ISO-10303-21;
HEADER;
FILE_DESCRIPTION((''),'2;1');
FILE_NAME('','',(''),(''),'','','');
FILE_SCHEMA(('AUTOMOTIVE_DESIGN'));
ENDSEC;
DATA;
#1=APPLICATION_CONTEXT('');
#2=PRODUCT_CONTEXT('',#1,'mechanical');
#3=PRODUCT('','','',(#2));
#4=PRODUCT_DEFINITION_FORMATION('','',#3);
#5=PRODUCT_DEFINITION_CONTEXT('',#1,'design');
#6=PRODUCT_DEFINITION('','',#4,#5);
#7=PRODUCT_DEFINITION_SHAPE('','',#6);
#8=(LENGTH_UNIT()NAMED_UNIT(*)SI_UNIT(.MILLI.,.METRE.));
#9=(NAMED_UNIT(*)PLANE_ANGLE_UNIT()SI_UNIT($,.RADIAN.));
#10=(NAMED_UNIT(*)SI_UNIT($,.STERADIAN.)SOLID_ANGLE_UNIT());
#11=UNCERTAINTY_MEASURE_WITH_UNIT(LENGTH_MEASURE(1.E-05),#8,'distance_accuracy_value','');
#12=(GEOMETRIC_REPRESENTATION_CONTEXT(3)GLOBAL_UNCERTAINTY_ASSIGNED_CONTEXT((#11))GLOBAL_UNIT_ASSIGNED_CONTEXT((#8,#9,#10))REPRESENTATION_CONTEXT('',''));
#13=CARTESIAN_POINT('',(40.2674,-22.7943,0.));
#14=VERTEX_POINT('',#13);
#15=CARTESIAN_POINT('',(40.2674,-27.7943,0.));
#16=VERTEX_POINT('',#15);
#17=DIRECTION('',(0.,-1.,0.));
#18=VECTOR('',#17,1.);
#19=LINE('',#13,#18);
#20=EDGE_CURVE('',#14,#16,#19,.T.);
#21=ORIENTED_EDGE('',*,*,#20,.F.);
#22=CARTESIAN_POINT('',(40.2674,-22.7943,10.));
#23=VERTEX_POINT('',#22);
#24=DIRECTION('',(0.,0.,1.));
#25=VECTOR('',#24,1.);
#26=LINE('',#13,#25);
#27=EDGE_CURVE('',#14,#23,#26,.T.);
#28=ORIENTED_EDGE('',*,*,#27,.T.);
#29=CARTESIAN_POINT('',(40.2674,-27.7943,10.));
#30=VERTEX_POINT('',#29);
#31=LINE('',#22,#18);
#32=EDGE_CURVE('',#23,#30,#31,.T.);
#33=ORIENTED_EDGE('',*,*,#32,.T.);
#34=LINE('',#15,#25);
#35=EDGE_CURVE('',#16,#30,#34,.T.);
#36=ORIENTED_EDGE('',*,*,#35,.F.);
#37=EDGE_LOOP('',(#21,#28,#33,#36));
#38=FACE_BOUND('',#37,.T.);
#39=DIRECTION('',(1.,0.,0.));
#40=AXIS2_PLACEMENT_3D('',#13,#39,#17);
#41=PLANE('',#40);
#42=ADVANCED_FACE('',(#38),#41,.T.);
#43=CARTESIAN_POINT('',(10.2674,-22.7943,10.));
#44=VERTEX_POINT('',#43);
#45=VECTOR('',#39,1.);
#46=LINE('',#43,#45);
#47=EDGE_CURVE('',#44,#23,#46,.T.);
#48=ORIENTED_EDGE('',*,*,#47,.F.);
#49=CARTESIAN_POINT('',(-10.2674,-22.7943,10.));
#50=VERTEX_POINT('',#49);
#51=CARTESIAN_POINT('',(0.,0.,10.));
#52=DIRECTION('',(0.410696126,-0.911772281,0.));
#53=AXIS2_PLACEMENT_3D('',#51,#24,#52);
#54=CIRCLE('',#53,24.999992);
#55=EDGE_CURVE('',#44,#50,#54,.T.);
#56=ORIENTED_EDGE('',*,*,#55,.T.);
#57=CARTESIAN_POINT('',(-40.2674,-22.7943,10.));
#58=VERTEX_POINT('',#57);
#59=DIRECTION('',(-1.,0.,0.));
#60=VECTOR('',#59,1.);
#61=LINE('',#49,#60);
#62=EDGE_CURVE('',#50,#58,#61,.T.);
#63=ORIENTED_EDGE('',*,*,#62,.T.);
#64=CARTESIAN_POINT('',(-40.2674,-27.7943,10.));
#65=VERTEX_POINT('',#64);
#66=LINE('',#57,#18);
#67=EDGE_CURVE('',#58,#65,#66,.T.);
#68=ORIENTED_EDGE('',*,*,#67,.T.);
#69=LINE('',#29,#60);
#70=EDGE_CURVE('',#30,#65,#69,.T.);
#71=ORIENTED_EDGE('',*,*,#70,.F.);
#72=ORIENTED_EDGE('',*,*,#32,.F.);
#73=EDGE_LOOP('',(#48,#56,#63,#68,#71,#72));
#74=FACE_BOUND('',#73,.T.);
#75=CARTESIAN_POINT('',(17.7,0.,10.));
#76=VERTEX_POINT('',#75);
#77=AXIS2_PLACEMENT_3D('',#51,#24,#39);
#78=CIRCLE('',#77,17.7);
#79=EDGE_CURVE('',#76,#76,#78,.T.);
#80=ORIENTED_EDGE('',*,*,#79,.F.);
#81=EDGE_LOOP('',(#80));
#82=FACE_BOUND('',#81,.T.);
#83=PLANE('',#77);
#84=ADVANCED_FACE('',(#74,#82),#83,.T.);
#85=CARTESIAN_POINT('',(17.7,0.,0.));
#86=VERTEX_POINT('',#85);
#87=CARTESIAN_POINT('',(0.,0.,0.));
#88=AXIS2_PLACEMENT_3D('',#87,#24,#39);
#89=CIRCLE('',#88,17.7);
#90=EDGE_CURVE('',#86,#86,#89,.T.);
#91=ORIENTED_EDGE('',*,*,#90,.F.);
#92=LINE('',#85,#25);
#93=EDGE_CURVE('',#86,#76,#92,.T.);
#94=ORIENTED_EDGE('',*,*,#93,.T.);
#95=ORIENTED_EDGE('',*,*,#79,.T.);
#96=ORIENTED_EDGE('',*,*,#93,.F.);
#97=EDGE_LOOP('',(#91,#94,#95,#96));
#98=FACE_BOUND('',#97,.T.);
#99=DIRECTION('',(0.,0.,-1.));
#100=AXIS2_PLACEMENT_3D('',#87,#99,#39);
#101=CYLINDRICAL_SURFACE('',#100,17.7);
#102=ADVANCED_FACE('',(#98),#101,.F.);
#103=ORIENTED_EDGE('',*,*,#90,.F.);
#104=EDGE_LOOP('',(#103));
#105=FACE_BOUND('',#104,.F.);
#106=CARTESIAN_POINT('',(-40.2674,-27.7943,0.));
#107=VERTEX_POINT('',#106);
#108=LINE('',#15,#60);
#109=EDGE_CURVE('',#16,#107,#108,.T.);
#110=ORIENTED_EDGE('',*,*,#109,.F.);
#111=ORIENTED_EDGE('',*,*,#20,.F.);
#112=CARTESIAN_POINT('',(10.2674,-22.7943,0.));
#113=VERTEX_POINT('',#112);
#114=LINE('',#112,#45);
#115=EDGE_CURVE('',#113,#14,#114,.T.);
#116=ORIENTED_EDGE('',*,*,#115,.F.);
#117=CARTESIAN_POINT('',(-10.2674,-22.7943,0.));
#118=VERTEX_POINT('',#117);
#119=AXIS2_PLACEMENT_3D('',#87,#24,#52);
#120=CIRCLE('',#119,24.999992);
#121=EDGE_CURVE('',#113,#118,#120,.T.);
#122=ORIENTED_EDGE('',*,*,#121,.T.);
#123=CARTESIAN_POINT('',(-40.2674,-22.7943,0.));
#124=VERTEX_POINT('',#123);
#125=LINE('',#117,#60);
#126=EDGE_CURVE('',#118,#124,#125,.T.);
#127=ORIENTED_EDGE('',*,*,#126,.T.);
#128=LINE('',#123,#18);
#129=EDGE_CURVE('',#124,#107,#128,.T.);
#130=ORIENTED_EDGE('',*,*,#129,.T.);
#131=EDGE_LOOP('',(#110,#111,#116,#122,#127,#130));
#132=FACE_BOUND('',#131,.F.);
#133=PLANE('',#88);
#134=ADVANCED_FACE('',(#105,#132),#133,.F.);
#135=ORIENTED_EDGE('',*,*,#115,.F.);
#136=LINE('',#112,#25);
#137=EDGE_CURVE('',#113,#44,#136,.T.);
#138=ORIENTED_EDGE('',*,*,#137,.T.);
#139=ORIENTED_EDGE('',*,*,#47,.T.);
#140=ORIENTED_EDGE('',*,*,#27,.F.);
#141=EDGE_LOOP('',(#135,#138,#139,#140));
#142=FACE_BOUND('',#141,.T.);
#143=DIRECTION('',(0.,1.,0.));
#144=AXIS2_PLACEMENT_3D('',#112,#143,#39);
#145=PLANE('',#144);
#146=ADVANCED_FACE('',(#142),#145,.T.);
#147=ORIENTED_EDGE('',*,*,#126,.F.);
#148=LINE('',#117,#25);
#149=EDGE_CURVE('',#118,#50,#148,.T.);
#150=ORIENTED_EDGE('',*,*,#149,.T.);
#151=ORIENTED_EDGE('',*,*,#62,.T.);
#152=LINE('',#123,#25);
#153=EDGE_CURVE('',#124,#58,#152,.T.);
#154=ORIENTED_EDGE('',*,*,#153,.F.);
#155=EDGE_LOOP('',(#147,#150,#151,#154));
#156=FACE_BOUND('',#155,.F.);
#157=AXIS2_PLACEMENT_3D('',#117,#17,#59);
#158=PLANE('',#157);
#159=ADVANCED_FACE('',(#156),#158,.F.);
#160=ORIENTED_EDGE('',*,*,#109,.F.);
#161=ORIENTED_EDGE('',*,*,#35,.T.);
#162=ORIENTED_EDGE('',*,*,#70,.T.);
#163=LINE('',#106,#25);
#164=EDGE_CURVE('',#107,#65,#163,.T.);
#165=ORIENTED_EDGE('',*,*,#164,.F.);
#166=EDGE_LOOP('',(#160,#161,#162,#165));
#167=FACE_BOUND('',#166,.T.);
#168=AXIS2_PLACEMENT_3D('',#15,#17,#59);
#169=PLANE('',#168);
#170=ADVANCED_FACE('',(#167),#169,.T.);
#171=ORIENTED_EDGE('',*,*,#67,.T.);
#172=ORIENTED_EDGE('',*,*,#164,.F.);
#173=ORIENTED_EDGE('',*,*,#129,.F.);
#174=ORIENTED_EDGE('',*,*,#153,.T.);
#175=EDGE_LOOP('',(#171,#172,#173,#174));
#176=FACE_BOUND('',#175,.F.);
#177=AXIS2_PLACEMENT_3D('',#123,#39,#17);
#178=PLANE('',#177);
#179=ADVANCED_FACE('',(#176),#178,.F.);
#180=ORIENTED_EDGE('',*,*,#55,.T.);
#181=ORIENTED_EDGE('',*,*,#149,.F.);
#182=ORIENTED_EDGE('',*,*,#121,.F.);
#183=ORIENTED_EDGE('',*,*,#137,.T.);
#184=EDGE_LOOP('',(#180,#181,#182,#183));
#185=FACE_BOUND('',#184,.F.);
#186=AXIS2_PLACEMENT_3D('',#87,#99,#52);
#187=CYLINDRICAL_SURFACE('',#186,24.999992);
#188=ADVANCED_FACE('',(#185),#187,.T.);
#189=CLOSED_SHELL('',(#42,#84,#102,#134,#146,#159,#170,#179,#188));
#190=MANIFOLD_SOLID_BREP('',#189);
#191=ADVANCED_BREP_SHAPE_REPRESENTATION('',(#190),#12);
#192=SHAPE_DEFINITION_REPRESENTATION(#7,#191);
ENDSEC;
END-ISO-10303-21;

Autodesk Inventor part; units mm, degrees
ref_plane "YZ Plane" through (0, 0, 0) normal (1, 0, 0) x (0, 1, 0)
ref_plane "XZ Plane" through (0, 0, 0) normal (0, 1, 0) x (-1, 0, 0)
ref_plane "XY Plane" through (0, 0, 0) normal (0, 0, 1) x (1, 0, 0)
sketch "スケッチ1" plane through (0, 0, 0) normal (0, 0, 1) x (1, 0, 0)
  circle A0 centre (0, 0) radius 17.7
  arc A1 (10.2674, -22.7943) -> (-10.2674, -22.7943) centre (0, 0) ccw
  line L0 (-10.2674, -22.7943) -> (-40.2674, -22.7943)
  line L1 (-40.2674, -22.7943) -> (-40.2674, -27.7943)
  line L2 (10.2674, -22.7943) -> (40.2674, -22.7943)
  line L3 (40.2674, -22.7943) -> (40.2674, -27.7943)
  line L4 (40.2674, -27.7943) -> (-40.2674, -27.7943)
  dimension "d0" = 35.4
  dimension "d1" = 25
  dimension "d2" = 30
  dimension "d3" = 5
  dimension "d4" = 30
  dimension "d5" = 5
extrude "押し出し1" add sketch "スケッチ1" along normal blind 10
properties part number "d35_hole"
